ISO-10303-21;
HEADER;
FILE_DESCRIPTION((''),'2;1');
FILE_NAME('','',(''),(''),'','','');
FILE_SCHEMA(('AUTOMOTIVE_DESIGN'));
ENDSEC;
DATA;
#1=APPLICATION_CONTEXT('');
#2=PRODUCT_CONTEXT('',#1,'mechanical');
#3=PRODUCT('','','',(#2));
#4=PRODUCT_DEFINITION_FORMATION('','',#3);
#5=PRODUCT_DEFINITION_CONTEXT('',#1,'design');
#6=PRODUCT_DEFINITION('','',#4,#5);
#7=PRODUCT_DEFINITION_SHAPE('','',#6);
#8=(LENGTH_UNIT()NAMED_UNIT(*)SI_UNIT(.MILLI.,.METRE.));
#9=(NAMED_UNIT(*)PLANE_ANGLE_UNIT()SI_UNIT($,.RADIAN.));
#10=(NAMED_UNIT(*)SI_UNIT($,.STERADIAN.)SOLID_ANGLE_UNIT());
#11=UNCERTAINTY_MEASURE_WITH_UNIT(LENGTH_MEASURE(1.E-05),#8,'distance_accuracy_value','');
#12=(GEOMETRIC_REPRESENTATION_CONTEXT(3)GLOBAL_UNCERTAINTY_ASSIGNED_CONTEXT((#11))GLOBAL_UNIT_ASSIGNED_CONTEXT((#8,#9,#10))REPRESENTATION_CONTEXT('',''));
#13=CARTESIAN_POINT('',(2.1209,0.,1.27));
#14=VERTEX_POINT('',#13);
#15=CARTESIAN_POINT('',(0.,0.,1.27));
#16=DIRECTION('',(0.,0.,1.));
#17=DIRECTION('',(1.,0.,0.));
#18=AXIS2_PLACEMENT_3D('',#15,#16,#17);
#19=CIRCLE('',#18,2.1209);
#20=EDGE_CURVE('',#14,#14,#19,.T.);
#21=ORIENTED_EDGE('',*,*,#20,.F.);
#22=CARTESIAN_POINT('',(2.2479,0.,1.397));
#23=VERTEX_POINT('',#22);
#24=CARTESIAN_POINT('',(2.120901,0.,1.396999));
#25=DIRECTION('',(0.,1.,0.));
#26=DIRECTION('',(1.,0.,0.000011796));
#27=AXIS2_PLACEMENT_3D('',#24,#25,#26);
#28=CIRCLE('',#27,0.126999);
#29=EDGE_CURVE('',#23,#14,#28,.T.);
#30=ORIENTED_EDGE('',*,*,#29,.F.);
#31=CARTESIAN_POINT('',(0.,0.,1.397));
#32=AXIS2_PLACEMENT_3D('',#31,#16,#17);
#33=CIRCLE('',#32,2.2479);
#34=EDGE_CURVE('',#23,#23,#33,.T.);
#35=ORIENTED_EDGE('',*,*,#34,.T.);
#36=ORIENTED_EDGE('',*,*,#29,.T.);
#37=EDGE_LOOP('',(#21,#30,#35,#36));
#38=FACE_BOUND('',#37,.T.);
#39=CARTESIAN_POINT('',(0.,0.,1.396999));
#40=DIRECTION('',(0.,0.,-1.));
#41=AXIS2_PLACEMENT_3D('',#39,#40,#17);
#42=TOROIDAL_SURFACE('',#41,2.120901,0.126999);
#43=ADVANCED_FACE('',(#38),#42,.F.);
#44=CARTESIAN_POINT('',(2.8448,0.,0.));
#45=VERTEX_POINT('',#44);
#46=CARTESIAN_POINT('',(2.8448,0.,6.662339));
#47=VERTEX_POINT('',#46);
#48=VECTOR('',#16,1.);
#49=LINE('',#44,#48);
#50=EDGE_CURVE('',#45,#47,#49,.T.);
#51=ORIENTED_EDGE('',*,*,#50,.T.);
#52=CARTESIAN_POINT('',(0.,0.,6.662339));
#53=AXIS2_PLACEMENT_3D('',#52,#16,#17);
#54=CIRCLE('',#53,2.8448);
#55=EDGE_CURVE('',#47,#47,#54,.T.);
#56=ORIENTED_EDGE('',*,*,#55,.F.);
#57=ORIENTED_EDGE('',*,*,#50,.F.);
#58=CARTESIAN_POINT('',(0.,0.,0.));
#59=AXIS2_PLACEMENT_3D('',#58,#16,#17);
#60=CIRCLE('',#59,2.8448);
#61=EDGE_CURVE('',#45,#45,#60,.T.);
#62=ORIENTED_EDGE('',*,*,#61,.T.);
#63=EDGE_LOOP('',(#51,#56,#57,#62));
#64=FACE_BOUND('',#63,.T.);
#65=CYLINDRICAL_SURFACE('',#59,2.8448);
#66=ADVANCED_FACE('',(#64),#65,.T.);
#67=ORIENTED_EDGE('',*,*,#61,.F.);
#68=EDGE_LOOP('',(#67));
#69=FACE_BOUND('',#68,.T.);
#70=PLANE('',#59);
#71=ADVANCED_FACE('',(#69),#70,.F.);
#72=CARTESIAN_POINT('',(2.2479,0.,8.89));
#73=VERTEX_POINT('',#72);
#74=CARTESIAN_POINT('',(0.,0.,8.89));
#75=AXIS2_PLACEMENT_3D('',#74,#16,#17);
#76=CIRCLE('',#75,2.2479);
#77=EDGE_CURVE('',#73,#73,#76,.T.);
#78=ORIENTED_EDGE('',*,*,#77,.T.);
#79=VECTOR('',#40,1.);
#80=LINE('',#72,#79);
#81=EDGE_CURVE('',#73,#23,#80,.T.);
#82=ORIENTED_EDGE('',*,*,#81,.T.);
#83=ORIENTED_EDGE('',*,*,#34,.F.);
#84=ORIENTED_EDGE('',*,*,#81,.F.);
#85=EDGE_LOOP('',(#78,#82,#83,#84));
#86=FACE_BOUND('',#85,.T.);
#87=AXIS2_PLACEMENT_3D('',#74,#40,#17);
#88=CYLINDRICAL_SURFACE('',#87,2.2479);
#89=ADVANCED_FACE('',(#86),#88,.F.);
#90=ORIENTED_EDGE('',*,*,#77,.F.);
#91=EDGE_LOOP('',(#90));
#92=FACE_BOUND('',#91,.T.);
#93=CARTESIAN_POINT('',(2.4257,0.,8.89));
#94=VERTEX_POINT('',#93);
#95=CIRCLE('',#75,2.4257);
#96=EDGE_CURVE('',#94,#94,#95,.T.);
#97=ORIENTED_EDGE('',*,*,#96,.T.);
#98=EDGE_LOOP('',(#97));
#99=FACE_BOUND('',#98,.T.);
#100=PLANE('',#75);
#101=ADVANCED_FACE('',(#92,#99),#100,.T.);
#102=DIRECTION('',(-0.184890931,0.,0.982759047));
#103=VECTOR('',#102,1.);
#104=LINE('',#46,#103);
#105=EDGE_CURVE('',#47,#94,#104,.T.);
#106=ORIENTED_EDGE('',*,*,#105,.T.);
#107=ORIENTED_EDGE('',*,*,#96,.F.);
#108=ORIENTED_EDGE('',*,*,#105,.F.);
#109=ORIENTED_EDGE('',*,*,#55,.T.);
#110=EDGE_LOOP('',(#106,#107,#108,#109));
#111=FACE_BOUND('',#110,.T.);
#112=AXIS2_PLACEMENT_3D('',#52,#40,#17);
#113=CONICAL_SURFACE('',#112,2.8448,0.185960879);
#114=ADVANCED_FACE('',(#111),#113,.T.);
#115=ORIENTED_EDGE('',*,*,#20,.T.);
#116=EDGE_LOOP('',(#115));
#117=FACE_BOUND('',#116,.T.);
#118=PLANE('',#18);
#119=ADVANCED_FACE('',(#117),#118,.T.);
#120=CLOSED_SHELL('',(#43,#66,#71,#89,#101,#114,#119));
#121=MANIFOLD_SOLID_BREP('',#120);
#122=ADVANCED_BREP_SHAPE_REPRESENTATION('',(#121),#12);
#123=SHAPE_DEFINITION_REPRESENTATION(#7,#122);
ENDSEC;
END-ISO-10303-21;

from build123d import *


with BuildPart() as f1:
    # F0 (on Front) → F1 (revolve)
    with BuildSketch(Plane.XZ):
        with BuildLine():
            Line((2.4257, 8.89), (2.2479, 8.89))
            Line((2.2479, 8.89), (2.2479, 1.397))
            ThreePointArc((2.2479, 1.397), (2.210703, 1.307197), (2.1209, 1.27))
            Line((2.1209, 1.27), (0, 1.27))
            Line((0, 1.27), (0, 0))
            Line((0, 0), (2.8448, 0))
            Line((2.8448, 0), (2.8448, 6.662339))
            Line((2.8448, 6.662339), (2.4257, 8.89))
        make_face()
    revolve(axis=Axis((0, 0, 7.564645), (0, 0, 1)))


solid = f1.part
